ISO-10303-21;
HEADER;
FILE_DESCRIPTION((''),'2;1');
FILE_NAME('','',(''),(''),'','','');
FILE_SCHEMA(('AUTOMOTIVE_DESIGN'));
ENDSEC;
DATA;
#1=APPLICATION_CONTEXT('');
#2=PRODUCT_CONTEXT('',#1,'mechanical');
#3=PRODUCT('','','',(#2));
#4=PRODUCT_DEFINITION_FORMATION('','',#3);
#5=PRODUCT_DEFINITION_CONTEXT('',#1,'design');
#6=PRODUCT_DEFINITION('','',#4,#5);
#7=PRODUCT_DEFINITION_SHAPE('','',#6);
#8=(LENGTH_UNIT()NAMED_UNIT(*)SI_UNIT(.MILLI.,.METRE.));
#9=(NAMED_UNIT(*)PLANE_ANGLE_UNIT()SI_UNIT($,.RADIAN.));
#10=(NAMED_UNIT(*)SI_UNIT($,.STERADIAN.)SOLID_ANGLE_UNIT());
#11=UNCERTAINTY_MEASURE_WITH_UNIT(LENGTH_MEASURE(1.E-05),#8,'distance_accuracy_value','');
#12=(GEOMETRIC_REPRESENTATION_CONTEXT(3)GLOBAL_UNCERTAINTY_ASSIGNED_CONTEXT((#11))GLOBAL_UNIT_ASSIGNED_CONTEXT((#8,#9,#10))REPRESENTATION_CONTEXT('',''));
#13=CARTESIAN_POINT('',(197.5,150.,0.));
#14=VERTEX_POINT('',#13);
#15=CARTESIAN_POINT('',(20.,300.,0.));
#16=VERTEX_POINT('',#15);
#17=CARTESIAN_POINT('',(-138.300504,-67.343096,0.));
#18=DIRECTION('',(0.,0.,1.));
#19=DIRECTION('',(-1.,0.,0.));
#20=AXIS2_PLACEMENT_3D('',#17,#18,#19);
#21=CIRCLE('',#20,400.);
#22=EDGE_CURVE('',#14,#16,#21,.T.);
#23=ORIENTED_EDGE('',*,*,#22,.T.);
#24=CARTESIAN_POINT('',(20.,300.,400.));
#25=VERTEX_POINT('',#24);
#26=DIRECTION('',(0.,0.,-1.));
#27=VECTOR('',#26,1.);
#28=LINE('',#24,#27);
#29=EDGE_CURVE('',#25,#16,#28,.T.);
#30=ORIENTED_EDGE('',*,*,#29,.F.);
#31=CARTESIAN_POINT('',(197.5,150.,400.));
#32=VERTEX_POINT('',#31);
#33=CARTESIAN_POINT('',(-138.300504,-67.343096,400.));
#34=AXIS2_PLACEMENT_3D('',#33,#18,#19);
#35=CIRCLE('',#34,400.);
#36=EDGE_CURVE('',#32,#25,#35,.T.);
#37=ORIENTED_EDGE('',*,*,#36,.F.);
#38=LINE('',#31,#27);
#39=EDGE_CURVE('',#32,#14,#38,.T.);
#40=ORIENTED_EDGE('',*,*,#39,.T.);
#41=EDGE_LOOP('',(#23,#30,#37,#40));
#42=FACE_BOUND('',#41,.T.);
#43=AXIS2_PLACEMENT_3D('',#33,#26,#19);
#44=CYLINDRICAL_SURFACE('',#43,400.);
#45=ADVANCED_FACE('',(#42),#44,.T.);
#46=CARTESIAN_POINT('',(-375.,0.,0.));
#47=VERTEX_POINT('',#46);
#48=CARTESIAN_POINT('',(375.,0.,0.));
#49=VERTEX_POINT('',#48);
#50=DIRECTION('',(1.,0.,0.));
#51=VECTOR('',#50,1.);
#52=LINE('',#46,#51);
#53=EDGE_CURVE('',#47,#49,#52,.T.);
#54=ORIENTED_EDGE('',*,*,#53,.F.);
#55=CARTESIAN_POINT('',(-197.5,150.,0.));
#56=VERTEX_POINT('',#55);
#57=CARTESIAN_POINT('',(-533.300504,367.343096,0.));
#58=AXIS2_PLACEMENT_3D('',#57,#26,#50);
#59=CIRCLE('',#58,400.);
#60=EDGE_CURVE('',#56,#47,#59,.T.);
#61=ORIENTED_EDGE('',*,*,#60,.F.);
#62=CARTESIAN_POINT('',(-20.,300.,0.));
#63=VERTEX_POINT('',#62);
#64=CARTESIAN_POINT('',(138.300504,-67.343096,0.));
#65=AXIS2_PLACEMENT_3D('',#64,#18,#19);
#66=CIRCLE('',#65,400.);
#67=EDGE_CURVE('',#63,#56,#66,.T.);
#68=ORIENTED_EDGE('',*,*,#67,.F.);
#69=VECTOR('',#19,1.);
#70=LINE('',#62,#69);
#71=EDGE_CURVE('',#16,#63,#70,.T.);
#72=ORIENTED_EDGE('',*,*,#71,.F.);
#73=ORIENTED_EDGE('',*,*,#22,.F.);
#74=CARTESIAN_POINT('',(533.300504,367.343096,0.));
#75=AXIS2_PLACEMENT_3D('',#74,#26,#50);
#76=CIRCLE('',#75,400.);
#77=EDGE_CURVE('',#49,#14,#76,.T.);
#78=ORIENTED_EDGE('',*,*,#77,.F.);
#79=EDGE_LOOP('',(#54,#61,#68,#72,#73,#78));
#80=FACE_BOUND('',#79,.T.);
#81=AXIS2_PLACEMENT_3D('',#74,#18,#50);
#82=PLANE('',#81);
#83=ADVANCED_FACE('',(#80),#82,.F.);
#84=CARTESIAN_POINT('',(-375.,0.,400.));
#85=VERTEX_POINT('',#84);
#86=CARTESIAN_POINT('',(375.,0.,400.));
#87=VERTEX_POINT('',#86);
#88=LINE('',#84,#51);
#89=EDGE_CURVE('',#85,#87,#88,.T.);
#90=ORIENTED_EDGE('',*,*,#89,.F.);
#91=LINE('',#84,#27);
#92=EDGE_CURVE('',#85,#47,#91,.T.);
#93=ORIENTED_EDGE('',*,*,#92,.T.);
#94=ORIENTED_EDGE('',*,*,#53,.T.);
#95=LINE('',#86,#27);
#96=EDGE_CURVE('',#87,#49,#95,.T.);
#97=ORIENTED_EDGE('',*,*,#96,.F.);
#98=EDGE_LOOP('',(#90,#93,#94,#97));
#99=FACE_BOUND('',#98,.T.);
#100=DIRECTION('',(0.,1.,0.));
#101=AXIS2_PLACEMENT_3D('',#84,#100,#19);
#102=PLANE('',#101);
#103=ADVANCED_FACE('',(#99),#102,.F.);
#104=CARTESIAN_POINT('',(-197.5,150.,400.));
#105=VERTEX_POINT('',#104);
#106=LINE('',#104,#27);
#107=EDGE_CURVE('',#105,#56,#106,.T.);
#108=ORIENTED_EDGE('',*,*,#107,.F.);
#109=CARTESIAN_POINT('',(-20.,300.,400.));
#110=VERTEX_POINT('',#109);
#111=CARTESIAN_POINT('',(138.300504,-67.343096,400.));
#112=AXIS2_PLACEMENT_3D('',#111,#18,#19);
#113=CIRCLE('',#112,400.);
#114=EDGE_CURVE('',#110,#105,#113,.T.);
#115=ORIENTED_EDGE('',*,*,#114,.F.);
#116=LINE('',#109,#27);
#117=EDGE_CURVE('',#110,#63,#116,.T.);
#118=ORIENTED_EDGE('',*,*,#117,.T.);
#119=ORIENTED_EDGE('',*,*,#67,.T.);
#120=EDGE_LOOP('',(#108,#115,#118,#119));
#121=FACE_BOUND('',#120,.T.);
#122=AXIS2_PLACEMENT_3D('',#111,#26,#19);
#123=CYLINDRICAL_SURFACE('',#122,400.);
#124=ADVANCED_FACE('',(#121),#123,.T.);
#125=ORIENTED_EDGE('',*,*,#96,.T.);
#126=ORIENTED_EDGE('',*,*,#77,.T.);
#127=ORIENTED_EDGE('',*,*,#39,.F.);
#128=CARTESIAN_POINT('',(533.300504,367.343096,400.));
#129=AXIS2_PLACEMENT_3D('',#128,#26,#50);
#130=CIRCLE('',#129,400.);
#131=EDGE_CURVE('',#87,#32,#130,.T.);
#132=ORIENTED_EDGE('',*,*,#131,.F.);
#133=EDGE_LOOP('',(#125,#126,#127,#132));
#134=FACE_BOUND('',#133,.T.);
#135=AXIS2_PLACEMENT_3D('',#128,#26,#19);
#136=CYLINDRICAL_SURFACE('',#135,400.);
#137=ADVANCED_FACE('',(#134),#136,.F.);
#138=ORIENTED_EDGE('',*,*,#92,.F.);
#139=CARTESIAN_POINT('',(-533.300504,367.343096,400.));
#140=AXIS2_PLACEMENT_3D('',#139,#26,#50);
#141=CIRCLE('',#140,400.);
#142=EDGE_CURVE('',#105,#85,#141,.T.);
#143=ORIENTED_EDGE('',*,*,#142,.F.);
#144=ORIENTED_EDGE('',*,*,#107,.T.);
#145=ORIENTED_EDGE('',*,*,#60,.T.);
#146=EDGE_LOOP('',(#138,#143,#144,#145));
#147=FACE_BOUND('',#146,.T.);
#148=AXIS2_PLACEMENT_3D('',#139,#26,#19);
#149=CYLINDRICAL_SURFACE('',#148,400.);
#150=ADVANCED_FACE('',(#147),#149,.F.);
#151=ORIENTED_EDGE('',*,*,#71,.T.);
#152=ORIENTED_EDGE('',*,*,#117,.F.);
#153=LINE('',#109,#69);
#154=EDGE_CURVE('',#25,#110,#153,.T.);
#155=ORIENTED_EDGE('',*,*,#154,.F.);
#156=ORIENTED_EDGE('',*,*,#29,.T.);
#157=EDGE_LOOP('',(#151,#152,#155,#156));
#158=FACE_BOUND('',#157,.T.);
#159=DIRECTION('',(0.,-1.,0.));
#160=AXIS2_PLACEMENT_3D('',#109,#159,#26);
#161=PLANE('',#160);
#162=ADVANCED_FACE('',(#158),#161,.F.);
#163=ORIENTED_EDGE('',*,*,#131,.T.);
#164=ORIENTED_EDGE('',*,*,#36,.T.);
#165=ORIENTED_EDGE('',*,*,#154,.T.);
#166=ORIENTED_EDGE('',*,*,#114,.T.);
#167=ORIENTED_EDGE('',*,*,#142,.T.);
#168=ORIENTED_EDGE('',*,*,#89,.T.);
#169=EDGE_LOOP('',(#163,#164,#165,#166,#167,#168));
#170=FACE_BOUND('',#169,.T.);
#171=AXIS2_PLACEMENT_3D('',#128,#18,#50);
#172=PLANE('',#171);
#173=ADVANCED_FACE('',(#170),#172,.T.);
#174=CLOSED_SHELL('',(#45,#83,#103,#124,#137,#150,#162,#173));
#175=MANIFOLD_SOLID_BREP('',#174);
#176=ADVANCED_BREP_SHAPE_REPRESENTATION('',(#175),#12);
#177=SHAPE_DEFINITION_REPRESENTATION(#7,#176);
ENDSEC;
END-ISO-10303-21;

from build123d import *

# Parameters (mm, degrees)
BOSS_EXTRUDE1_DEPTH = 400


with BuildPart() as part:
    # Sketch1 → Boss-Extrude1 (new body)
    with BuildSketch(Plane.XY):
        with BuildLine():
            Line((-375, 0), (375, 0))
            ThreePointArc((375, 0), (275.116554988, 61.825423403), (197.5, 150))
            ThreePointArc((197.5, 150), (119.883445012, 238.174576597), (20, 300))
            Line((20, 300), (-20, 300))
            ThreePointArc((-20, 300), (-119.883445012, 238.174576597), (-197.5, 150))
            ThreePointArc((-197.5, 150), (-275.116554988, 61.825423403), (-375, 0))
        make_face()
    extrude(amount=BOSS_EXTRUDE1_DEPTH)


solid = part.part
